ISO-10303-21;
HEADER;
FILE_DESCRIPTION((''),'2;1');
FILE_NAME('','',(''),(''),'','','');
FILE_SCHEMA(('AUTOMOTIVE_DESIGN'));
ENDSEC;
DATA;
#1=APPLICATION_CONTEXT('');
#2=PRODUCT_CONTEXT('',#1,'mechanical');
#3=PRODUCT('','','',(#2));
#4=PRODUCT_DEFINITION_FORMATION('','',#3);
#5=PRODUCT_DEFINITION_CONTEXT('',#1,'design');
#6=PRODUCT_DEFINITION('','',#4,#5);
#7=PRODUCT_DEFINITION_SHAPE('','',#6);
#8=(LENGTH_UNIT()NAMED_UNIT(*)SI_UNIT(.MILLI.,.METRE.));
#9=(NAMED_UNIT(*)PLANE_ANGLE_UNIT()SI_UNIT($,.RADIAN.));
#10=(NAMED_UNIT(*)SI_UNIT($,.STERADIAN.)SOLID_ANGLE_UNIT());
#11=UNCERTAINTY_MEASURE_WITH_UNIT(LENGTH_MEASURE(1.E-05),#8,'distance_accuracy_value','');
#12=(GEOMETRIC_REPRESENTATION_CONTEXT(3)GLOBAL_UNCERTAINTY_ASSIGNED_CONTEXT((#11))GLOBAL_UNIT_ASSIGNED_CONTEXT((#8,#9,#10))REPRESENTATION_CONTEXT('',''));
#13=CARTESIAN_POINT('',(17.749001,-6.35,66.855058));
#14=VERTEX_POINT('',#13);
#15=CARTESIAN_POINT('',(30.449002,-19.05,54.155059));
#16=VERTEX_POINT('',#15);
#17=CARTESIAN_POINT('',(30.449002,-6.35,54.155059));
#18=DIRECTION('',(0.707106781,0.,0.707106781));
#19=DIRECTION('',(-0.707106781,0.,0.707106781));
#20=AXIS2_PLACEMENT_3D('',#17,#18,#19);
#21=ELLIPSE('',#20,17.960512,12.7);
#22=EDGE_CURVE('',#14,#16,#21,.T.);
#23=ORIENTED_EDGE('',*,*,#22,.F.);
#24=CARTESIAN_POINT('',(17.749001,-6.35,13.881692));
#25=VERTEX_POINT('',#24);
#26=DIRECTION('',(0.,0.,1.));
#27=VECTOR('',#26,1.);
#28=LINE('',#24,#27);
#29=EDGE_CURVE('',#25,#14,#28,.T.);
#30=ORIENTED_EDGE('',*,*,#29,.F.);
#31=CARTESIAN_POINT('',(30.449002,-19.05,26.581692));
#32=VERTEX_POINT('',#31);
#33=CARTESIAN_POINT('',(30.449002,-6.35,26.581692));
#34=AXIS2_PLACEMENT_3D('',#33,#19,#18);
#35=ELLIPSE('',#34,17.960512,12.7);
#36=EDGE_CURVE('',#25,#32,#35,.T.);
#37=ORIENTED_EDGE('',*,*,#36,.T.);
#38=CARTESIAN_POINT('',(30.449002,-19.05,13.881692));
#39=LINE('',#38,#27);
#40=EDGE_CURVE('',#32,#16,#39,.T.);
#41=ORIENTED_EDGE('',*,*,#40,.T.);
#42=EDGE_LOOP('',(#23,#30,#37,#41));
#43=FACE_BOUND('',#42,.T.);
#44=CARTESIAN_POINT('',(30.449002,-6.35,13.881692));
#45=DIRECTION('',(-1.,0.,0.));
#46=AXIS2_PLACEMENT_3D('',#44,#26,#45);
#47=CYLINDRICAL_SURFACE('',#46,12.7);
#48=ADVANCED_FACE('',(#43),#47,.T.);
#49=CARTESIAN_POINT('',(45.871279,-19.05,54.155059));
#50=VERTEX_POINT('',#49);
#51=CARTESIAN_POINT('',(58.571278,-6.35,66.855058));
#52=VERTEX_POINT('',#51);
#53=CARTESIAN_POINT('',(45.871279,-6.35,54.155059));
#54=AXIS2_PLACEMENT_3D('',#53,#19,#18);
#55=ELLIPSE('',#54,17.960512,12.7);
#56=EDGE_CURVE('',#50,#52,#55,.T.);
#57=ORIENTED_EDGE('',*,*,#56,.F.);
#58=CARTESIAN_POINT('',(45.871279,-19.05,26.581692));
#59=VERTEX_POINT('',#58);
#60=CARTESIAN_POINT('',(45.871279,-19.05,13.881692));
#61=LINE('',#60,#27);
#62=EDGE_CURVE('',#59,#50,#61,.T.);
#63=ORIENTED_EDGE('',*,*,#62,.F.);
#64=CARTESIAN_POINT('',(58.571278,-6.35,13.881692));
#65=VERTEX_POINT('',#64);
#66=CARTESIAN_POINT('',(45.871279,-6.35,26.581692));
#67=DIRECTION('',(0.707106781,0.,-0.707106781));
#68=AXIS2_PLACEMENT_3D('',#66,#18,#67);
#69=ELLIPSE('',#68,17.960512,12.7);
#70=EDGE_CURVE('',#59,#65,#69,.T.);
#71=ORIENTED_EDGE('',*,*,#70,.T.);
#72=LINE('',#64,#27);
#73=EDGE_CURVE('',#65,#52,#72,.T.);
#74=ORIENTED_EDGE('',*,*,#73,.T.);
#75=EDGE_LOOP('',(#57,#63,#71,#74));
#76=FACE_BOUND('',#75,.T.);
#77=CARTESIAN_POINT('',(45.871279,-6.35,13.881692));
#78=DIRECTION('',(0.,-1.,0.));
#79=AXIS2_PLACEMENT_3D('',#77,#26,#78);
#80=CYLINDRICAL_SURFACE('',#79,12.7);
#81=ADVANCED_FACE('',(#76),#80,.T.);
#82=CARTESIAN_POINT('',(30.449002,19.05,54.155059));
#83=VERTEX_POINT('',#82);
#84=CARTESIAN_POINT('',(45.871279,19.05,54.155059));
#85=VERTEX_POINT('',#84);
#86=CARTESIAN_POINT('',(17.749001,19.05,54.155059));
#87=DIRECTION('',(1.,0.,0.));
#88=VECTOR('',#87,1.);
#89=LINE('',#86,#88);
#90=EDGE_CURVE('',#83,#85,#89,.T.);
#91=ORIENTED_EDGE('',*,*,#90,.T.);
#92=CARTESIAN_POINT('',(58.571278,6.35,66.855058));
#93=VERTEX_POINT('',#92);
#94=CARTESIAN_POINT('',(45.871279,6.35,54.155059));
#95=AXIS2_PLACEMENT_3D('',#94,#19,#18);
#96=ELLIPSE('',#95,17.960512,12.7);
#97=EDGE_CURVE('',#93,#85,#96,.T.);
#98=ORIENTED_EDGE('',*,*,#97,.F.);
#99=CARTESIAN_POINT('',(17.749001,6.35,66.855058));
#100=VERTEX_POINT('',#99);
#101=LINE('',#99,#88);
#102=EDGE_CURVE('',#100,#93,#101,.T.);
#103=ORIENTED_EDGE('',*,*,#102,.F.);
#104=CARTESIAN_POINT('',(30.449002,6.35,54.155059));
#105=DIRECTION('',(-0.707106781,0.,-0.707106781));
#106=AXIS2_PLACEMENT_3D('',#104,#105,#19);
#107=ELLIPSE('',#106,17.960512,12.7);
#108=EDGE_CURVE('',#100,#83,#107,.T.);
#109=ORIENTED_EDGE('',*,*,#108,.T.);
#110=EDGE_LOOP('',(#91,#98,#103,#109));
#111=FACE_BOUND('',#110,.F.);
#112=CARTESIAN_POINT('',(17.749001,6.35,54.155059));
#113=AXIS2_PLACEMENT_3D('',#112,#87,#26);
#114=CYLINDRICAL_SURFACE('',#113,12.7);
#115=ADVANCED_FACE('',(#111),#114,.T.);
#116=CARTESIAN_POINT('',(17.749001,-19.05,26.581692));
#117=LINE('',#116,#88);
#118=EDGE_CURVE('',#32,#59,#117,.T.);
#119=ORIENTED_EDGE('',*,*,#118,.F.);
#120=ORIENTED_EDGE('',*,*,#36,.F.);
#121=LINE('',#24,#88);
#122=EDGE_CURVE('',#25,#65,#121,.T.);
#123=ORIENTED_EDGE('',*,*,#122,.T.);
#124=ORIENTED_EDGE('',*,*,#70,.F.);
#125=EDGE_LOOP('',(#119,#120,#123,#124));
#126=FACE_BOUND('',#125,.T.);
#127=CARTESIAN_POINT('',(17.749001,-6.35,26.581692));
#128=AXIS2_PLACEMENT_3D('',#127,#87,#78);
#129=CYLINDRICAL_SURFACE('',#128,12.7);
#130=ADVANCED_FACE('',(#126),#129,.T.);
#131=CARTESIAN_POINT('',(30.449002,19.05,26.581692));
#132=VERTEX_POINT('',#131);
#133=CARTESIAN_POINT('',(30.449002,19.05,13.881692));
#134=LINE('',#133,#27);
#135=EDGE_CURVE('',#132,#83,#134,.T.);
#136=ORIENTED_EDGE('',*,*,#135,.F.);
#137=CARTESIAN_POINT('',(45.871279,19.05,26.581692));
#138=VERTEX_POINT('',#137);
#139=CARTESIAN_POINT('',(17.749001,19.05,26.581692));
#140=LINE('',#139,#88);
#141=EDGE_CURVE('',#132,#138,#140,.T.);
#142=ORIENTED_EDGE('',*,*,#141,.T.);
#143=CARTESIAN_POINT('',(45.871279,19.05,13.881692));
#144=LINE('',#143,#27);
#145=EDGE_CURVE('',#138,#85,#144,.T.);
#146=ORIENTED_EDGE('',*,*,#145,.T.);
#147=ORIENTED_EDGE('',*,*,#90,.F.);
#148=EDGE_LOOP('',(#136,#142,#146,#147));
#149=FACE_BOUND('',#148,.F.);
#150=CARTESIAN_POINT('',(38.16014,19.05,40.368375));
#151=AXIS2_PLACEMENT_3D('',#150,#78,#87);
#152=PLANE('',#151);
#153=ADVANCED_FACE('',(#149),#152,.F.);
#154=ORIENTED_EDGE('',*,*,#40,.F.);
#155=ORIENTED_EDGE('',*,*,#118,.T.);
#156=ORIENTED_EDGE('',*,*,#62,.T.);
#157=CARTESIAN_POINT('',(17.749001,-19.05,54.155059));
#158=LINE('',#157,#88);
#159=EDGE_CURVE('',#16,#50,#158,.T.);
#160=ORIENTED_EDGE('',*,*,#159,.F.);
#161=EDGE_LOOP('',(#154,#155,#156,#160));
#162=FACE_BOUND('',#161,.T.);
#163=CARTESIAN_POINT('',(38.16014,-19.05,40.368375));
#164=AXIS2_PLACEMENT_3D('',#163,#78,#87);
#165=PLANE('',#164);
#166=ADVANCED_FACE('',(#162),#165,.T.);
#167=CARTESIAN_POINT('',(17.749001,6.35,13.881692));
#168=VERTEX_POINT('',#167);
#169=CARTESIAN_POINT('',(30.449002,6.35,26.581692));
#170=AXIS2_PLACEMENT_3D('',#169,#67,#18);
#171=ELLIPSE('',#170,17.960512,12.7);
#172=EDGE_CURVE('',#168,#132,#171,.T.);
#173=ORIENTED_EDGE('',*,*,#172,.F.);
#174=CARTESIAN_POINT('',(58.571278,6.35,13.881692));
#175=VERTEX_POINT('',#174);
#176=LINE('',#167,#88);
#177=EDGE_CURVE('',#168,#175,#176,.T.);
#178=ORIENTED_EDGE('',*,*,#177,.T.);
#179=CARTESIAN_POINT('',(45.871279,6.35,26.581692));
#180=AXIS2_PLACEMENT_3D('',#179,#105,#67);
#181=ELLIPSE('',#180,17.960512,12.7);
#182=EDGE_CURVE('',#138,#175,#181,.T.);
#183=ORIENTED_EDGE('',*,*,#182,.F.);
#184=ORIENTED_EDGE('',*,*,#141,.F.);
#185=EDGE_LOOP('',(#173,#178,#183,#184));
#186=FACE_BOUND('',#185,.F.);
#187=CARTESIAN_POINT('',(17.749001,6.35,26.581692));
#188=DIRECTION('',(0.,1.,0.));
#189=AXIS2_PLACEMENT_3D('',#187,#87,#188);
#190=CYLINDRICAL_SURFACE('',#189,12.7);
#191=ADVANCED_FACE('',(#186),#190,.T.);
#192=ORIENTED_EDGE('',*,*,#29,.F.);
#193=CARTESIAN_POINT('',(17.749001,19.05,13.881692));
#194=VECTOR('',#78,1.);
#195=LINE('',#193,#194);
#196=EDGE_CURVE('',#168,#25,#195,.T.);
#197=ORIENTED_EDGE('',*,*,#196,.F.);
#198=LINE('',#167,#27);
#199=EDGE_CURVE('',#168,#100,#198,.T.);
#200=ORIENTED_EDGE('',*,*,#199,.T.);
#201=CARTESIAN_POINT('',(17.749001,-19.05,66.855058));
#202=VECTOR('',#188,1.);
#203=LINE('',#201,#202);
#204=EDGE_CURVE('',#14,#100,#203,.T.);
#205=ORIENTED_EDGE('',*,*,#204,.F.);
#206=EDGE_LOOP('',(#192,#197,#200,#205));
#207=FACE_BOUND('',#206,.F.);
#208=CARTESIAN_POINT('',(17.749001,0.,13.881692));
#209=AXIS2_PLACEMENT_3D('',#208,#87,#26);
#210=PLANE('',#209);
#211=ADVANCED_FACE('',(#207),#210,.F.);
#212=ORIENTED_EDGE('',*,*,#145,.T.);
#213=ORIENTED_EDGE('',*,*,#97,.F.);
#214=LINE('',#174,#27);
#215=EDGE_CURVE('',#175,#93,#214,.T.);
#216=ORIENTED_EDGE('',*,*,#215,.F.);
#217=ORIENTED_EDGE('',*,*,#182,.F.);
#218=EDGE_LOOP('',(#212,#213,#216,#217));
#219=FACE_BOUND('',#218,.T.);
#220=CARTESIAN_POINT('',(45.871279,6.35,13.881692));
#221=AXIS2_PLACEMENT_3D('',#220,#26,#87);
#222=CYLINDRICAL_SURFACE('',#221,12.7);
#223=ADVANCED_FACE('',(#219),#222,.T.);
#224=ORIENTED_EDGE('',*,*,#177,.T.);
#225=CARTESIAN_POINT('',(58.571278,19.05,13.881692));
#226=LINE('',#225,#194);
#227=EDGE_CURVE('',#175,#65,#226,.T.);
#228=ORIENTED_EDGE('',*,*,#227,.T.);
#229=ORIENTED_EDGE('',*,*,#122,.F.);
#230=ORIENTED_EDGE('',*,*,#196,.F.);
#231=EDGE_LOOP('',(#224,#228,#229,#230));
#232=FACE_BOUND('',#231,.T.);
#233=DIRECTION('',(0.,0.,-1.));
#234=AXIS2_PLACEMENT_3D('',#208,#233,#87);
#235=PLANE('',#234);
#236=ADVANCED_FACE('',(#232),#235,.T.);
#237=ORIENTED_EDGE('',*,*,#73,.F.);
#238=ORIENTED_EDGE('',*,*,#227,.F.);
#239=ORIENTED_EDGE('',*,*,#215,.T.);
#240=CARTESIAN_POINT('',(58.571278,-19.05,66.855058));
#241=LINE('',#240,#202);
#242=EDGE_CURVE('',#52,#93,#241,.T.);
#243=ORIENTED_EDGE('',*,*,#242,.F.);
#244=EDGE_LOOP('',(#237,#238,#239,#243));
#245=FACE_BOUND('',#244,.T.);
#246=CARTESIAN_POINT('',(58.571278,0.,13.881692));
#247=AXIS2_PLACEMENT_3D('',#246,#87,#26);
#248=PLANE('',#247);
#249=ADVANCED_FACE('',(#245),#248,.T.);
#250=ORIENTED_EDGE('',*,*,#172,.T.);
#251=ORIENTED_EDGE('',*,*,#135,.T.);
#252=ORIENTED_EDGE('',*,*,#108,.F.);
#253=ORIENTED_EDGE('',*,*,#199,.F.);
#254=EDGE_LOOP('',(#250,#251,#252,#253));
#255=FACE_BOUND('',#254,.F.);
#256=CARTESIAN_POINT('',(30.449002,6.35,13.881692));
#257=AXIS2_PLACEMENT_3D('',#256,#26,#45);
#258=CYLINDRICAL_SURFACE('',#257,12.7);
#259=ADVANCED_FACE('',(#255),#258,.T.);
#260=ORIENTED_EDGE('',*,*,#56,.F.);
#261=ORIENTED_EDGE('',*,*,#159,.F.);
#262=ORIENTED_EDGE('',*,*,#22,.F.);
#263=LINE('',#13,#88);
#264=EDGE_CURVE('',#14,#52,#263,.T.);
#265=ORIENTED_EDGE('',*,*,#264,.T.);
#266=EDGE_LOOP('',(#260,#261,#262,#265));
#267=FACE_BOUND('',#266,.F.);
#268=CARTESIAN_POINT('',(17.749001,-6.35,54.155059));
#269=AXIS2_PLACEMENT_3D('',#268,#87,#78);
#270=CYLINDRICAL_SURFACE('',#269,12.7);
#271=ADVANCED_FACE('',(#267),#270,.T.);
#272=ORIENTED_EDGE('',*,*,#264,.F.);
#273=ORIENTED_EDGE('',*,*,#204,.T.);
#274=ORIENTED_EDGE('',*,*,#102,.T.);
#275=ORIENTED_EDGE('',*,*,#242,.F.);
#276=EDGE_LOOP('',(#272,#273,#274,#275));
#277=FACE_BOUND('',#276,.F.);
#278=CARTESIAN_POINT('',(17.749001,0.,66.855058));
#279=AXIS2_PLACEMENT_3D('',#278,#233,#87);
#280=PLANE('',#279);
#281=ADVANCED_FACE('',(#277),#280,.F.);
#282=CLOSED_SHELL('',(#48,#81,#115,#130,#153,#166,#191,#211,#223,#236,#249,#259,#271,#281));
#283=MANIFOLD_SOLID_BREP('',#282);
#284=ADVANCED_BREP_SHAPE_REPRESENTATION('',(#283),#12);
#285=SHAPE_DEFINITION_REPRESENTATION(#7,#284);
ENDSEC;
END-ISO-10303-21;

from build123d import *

# Parameters (mm, degrees)
F0_W     = 40.822277
F0_H     = 52.973367
F1_DEPTH = 19.05
F2_R     = 12.7


with BuildPart() as f1:
    # F0 (on Front) → F1 (new body, symmetric)
    with BuildSketch(Plane.XZ):
        with Locations((38.16014, 40.368375)):
            Rectangle(F0_W, F0_H)
    extrude(amount=F1_DEPTH, both=True)

    # F2
    f2_edges = [f1.edges().sort_by_distance(p)[0] for p in [
        (17.749002, 19.05, 40.368374),
        (38.160141, 19.05, 13.881691),
        (58.571279, 19.05, 40.368374),
        (38.160141, 19.05, 66.855058),
        (17.749002, -19.05, 40.368374),
        (38.160141, -19.05, 13.881691),
        (58.571279, -19.05, 40.368374),
        (38.160141, -19.05, 66.855058),
    ]]
    fillet(f2_edges, radius=F2_R)


solid = f1.part
